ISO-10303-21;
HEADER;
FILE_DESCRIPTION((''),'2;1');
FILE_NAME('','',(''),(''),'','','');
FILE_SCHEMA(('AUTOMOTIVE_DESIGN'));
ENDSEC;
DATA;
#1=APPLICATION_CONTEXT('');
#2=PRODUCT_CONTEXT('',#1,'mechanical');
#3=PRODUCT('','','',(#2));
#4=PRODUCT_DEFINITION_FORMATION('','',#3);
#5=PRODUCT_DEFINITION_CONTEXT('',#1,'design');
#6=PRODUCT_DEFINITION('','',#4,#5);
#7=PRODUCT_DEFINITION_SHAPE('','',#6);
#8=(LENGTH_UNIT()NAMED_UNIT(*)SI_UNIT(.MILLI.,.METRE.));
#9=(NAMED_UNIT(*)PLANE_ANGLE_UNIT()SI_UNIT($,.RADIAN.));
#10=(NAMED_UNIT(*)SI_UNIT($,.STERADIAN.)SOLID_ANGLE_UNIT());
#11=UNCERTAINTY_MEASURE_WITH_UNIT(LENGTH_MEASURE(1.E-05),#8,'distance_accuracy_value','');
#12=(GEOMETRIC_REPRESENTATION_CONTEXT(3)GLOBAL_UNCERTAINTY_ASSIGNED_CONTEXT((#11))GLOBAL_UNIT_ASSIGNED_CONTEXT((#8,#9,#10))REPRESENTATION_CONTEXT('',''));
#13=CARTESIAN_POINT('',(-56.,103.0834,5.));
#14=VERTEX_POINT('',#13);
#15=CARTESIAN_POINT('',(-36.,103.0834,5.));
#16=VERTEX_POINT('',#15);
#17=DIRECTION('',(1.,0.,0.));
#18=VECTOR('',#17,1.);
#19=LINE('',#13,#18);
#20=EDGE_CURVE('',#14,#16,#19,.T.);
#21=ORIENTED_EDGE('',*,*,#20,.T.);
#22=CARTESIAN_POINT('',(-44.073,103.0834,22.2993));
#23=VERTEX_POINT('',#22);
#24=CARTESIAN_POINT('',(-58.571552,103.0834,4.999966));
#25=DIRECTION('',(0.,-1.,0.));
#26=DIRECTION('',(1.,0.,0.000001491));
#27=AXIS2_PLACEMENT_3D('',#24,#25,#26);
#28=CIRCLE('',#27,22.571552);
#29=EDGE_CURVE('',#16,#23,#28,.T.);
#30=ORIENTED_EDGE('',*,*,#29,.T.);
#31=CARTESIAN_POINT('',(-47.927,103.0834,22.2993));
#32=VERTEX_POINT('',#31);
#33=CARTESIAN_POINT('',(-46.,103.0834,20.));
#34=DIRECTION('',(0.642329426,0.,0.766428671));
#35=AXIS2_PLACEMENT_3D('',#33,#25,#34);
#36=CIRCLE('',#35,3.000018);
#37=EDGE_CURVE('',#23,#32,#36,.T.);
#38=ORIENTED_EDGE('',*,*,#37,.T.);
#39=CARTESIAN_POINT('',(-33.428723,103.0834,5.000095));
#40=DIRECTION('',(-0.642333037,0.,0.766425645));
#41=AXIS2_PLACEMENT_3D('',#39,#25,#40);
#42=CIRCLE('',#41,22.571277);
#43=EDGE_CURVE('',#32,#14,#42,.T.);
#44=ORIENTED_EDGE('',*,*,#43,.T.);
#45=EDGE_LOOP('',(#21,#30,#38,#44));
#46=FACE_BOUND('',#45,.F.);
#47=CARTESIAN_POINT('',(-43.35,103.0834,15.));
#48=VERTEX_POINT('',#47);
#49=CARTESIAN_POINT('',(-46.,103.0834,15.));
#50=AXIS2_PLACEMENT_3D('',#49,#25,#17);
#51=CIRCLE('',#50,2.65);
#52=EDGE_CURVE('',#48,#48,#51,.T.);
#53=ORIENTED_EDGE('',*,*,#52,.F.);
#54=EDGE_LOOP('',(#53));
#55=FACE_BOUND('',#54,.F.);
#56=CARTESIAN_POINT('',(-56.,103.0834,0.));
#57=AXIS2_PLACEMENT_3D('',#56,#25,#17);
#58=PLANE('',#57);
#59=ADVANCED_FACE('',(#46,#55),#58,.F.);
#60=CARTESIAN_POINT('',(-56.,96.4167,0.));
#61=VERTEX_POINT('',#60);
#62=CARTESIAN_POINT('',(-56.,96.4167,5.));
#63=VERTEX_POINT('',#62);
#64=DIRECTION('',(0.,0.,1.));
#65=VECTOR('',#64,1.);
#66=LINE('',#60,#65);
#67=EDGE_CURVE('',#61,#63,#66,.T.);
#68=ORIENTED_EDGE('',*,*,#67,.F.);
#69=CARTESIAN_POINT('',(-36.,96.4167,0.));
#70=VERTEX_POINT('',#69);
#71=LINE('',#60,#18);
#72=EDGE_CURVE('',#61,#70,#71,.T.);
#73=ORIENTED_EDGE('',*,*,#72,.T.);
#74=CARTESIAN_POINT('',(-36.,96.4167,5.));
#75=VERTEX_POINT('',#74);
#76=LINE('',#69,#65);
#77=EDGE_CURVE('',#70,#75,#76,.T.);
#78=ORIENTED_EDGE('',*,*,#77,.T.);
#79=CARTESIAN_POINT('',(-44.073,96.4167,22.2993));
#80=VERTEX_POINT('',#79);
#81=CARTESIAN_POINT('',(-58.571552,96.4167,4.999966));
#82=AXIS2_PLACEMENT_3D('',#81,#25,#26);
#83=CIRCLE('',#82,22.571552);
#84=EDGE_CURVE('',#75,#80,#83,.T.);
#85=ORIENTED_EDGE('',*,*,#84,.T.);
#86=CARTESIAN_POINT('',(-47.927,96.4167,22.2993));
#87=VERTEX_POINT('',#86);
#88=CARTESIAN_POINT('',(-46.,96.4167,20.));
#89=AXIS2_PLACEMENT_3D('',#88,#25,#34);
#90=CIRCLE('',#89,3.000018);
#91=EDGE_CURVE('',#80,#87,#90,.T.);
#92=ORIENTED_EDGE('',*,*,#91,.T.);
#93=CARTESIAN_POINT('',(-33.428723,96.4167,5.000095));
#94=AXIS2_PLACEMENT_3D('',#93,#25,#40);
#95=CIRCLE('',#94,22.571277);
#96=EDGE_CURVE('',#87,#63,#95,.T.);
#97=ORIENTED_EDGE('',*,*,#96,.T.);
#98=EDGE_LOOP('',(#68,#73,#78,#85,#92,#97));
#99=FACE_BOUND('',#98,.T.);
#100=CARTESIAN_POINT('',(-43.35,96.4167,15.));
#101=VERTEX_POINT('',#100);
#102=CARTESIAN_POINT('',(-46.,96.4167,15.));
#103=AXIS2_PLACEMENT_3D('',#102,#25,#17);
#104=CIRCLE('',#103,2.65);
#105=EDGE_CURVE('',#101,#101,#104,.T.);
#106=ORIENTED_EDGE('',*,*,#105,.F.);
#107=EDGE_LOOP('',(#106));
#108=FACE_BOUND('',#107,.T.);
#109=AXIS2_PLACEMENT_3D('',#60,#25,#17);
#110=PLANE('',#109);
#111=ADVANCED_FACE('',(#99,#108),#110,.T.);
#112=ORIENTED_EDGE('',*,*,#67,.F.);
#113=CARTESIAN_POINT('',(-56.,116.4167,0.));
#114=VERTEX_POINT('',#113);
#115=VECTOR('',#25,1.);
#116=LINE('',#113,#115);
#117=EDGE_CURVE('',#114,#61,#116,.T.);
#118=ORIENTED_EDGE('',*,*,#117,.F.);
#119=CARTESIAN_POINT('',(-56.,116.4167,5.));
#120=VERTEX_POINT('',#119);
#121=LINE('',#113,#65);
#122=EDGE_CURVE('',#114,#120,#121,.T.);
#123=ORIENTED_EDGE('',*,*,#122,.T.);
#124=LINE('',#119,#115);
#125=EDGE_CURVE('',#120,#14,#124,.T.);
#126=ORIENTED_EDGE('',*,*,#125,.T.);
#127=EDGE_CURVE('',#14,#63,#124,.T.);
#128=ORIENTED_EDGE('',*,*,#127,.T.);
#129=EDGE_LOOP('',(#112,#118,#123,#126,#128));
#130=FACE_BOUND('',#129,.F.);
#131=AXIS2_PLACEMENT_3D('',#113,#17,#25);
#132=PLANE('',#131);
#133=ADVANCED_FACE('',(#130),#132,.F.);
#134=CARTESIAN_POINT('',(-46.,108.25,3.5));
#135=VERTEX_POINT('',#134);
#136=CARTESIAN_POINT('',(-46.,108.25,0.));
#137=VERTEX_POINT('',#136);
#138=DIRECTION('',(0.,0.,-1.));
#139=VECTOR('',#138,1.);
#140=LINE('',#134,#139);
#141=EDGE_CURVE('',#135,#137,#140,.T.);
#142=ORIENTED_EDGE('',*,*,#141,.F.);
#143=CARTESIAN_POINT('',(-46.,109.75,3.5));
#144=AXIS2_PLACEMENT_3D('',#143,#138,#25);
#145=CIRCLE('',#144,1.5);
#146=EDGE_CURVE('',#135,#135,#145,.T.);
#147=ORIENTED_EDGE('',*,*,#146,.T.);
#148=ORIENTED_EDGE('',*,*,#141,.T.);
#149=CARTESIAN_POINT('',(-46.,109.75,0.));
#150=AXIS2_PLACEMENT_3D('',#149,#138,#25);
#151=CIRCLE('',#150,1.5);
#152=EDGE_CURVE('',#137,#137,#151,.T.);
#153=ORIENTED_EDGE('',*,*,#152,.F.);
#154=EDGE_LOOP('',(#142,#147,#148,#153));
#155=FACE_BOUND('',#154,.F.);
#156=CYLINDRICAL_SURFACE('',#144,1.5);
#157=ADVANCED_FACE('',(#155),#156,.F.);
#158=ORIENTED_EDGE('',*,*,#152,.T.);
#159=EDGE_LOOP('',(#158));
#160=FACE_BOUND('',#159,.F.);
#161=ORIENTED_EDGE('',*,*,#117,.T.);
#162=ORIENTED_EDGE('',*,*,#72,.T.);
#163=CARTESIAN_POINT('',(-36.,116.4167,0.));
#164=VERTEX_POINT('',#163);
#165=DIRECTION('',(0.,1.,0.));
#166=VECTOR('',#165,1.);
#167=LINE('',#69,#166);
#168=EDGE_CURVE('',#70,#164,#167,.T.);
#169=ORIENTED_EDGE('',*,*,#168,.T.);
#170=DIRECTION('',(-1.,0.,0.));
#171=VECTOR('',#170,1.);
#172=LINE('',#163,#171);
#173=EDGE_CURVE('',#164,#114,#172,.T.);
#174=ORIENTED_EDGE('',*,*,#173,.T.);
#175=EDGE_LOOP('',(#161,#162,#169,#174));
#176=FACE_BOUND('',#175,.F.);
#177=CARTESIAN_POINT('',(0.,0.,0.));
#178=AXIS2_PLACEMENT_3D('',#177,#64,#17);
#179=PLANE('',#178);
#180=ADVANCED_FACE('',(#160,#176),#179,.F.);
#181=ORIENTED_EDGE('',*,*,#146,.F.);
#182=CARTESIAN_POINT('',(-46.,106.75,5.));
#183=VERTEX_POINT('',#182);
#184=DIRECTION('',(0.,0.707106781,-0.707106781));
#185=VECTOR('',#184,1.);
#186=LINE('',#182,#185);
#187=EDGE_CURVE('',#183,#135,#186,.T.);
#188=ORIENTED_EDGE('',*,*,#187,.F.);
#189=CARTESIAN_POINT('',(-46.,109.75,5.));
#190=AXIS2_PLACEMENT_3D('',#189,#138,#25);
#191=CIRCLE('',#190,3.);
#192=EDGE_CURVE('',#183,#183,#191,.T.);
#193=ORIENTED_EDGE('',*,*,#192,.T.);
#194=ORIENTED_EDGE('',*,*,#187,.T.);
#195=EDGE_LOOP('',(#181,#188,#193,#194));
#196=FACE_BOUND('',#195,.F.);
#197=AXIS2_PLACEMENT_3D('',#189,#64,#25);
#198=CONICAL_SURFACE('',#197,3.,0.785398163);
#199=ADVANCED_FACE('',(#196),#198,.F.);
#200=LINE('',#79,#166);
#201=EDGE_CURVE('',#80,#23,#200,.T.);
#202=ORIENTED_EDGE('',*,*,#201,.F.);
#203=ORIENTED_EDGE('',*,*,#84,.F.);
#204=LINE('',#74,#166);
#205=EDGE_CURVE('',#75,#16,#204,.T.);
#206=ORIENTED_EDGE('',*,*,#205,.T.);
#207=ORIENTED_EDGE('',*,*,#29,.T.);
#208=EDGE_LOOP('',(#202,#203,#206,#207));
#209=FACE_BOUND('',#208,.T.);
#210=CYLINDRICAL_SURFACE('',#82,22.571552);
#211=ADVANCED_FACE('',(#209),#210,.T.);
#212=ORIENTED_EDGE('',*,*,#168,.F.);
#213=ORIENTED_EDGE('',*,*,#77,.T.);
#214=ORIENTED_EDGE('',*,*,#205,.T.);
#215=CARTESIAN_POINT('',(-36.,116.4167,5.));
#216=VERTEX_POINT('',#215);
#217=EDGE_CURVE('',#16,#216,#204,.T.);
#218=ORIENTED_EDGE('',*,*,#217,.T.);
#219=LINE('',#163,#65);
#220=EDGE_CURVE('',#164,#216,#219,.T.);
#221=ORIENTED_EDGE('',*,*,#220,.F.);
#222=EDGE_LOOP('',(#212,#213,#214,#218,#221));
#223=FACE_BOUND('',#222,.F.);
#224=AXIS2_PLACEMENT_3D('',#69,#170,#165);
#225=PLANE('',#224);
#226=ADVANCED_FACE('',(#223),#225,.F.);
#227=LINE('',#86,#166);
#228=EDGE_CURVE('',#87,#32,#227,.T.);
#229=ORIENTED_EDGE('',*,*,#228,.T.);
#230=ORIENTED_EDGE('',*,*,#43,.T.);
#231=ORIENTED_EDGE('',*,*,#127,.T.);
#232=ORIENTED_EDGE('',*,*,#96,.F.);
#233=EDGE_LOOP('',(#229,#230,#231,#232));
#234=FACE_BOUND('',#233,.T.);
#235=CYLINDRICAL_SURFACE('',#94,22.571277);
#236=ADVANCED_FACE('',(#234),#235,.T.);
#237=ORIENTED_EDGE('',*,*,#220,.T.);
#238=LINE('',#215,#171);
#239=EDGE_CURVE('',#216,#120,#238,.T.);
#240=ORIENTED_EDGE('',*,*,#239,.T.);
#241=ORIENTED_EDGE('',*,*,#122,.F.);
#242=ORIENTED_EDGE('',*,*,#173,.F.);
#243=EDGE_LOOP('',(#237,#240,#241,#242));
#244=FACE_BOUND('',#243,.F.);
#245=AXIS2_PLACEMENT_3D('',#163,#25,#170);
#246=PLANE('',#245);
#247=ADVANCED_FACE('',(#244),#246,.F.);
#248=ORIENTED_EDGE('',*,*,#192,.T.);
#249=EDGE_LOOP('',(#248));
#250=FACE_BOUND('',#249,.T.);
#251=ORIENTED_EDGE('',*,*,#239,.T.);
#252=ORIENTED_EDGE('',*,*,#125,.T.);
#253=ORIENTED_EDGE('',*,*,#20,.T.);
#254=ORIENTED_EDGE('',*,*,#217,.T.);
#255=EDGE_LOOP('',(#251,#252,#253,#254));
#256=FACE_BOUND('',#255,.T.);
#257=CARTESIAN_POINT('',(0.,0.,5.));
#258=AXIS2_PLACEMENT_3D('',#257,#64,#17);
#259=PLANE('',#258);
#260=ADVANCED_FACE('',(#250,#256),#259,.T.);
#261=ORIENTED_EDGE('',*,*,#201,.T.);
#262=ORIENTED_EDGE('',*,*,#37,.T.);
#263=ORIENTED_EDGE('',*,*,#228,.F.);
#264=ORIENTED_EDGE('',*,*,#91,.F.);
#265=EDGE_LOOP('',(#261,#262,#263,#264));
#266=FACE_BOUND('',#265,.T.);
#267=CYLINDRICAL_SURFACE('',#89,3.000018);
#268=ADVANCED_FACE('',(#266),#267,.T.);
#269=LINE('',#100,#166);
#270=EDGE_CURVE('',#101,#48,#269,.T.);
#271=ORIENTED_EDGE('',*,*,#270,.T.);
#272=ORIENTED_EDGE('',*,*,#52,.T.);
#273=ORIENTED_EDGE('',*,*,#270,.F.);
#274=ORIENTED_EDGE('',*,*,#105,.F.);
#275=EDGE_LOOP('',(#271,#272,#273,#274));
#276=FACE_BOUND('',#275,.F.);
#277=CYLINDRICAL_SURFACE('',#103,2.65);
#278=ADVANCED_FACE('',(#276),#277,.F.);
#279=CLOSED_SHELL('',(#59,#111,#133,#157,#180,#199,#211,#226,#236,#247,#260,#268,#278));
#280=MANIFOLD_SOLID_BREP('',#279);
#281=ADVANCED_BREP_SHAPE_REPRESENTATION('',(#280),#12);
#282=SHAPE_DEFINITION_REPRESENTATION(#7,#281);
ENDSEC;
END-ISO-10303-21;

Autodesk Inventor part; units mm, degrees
ref_plane "YZ Plane" through (0, 0, 0) normal (1, 0, 0) x (0, 1, 0)
ref_plane "XZ Plane" through (0, 0, 0) normal (0, 1, 0) x (-1, 0, 0)
ref_plane "XY Plane" through (0, 0, 0) normal (0, 0, 1) x (1, 0, 0)
sketch "Skizze2" plane through (0, 0, 0) normal (0, 0, 1) x (1, 0, 0)
  line L0 (-36, 116.4167) -> (-56, 116.4167)
  line L1 (-56, 116.4167) -> (-56, 96.4167)
  line L2 (-56, 96.4167) -> (-36, 96.4167)
  line L3 (-36, 96.4167) -> (-36, 116.4167)
  circle A0 centre (-46, 109.75) radius 1.7 projected
  point P0 (0, 0)
  dimension "d0" = 20
  dimension "d1" = 10
  dimension "d2" = 20
  dimension "d3" = 6.6667
extrude "Extrusion1" add sketch "Skizze2" along normal blind 5 contours L3 L2 L1 L0 | A0
sketch "Skizze4" plane through (-56, 96.4167, 0) normal (0, -1, 0) x (1, 0, 0)
  line L0 (0, 0) -> (20, 0) projected
  line L1 (20, 0) -> (20, 5) projected
  line L2 (0, 5) -> (20, 5) projected
  line L3 (0, 0) -> (0, 5) projected
  line L4 (0, 0) -> (0, 5) projected
  line L5 (20, 0) -> (20, 5) projected
  arc A0 (11.927, 22.2993) -> (8.073, 22.2993) centre (10, 20) ccw
  line L6 (10, 20) -> (10, 5) construction
  line L7 (0, 5) -> (20, 5) construction
  arc A1 (8.073, 22.2993) -> (0, 5) centre (22.5714, 5) ccw
  arc A2 (20, 5) -> (11.927, 22.2993) centre (-2.5714, 5) ccw
  circle A3 centre (10, 15) radius 2.65
  point P0 (56, 0)
  dimension "d6" = 6
  dimension "d7" = 15
  dimension "d8" = 23
  dimension "d11" = 5.3
  dimension "d20" = 10
extrude "Extrusion2" add sketch "Skizze4" against normal blind 6.6667 contours A1 A0 A2 L2
sketch "Skizze6" plane through (0, 0, 5) normal (0, 0, 1) x (1, 0, 0)
  circle A0 centre (-46, 109.75) radius 1.7 projected
  point P0 (0, 0)
hole "Bohrung1" at (-46, 109.75, 5) direction (0, 0, -1) diameter 3 end through all countersink diameter 6 countersink angle 90
equation "\"d1\" = 0.5 * d0"
equation "\"d3\" = 0.333333 * d2"
properties part number "Winkel"
